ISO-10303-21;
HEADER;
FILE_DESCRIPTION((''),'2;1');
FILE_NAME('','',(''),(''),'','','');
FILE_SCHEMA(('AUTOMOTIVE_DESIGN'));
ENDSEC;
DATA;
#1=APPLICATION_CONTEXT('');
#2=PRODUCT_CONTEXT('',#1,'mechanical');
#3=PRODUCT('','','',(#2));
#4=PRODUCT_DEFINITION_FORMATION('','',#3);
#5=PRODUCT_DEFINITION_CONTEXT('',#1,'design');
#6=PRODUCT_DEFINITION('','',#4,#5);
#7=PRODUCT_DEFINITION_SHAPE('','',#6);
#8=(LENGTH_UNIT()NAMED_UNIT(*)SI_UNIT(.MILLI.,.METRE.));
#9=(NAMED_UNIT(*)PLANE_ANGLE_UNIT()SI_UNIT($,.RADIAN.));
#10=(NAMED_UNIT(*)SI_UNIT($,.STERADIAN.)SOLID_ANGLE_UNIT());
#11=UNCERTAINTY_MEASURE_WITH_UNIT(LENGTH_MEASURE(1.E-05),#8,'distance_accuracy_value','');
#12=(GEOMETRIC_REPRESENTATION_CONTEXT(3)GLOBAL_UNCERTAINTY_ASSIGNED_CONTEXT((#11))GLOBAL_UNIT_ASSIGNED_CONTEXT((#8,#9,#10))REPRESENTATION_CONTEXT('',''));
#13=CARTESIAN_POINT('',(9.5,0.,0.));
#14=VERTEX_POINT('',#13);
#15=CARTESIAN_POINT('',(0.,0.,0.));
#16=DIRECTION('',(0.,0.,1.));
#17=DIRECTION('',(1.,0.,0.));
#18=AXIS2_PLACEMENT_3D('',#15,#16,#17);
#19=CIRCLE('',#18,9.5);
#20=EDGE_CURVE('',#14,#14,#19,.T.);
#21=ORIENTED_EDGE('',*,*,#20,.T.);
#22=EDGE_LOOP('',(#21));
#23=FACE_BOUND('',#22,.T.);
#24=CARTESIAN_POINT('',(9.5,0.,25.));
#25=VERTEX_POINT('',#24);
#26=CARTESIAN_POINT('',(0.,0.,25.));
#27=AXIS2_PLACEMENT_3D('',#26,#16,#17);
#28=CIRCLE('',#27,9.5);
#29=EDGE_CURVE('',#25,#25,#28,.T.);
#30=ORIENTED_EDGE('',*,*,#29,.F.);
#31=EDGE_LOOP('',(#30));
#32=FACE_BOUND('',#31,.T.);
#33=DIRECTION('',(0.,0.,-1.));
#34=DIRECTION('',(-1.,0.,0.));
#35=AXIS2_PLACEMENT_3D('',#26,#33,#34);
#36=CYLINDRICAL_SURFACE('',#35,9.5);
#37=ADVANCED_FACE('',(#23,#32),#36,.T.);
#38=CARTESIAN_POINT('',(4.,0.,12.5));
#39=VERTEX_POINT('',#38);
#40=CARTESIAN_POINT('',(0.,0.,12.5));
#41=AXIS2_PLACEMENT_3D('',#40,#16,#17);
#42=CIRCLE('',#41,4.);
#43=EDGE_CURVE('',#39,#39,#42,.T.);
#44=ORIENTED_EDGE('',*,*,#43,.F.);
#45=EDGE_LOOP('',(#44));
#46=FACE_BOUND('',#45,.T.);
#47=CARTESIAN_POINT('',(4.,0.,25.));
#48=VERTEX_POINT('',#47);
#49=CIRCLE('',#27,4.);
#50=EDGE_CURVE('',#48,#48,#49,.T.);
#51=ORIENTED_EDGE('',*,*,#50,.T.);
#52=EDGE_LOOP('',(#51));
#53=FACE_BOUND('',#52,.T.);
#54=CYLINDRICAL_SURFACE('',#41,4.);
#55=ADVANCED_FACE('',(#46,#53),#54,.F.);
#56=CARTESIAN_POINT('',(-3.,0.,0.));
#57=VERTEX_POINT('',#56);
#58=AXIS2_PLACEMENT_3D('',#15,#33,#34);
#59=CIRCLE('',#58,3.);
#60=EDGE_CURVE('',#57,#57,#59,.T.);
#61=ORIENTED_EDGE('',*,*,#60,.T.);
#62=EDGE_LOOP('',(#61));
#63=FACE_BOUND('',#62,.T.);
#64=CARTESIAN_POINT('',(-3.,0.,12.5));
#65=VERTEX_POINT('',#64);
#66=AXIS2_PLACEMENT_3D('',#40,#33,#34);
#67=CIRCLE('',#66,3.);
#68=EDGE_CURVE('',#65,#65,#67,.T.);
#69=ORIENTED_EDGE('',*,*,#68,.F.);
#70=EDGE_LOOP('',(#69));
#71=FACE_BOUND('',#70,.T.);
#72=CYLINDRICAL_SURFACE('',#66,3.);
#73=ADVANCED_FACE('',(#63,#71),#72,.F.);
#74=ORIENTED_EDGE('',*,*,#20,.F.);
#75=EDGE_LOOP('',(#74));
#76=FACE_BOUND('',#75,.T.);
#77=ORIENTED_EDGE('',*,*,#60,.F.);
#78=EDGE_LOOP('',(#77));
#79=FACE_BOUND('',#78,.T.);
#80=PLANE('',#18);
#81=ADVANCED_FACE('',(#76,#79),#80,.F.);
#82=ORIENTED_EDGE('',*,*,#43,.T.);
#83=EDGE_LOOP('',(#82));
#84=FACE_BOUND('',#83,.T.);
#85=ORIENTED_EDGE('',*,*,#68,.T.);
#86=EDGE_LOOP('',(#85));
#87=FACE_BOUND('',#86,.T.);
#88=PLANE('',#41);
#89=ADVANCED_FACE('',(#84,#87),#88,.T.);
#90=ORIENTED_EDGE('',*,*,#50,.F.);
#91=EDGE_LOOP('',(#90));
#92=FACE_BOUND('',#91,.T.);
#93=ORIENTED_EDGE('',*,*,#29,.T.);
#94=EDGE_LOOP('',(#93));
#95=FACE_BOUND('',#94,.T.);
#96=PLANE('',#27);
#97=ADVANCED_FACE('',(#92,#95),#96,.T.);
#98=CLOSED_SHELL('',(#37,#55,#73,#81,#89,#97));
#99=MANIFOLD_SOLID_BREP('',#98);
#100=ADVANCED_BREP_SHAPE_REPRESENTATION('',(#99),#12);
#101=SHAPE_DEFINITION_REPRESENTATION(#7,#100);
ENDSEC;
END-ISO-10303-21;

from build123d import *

# Parameters (mm, degrees)
SKETCH_1_R          = 9.5
EXTRUDE_1_DEPTH     = 25
SKETCH_2_R          = 4
CUT_EXTRUDE_1_DEPTH = 12.5
SKETCH_3_R          = 3
CUT_EXTRUDE_2_DEPTH = 12.5


with BuildPart() as part:
    # 草图1 → 凸台-拉伸1 (new body)
    with BuildSketch(Plane.XY):
        Circle(SKETCH_1_R)
    extrude(amount=EXTRUDE_1_DEPTH)

    # 草图2 → 切除-拉伸1 (cut)
    with BuildSketch(Plane.XY.offset(25)):
        Circle(SKETCH_2_R)
    extrude(amount=-CUT_EXTRUDE_1_DEPTH, mode=Mode.SUBTRACT)

    # 草图3 → 切除-拉伸2 (cut)
    with BuildSketch(Plane(origin=(0, 0, 0), x_dir=(-1, 0, 0), z_dir=(0, 0, -1))):
        Circle(SKETCH_3_R)
    extrude(amount=-CUT_EXTRUDE_2_DEPTH, mode=Mode.SUBTRACT)


solid = part.part
